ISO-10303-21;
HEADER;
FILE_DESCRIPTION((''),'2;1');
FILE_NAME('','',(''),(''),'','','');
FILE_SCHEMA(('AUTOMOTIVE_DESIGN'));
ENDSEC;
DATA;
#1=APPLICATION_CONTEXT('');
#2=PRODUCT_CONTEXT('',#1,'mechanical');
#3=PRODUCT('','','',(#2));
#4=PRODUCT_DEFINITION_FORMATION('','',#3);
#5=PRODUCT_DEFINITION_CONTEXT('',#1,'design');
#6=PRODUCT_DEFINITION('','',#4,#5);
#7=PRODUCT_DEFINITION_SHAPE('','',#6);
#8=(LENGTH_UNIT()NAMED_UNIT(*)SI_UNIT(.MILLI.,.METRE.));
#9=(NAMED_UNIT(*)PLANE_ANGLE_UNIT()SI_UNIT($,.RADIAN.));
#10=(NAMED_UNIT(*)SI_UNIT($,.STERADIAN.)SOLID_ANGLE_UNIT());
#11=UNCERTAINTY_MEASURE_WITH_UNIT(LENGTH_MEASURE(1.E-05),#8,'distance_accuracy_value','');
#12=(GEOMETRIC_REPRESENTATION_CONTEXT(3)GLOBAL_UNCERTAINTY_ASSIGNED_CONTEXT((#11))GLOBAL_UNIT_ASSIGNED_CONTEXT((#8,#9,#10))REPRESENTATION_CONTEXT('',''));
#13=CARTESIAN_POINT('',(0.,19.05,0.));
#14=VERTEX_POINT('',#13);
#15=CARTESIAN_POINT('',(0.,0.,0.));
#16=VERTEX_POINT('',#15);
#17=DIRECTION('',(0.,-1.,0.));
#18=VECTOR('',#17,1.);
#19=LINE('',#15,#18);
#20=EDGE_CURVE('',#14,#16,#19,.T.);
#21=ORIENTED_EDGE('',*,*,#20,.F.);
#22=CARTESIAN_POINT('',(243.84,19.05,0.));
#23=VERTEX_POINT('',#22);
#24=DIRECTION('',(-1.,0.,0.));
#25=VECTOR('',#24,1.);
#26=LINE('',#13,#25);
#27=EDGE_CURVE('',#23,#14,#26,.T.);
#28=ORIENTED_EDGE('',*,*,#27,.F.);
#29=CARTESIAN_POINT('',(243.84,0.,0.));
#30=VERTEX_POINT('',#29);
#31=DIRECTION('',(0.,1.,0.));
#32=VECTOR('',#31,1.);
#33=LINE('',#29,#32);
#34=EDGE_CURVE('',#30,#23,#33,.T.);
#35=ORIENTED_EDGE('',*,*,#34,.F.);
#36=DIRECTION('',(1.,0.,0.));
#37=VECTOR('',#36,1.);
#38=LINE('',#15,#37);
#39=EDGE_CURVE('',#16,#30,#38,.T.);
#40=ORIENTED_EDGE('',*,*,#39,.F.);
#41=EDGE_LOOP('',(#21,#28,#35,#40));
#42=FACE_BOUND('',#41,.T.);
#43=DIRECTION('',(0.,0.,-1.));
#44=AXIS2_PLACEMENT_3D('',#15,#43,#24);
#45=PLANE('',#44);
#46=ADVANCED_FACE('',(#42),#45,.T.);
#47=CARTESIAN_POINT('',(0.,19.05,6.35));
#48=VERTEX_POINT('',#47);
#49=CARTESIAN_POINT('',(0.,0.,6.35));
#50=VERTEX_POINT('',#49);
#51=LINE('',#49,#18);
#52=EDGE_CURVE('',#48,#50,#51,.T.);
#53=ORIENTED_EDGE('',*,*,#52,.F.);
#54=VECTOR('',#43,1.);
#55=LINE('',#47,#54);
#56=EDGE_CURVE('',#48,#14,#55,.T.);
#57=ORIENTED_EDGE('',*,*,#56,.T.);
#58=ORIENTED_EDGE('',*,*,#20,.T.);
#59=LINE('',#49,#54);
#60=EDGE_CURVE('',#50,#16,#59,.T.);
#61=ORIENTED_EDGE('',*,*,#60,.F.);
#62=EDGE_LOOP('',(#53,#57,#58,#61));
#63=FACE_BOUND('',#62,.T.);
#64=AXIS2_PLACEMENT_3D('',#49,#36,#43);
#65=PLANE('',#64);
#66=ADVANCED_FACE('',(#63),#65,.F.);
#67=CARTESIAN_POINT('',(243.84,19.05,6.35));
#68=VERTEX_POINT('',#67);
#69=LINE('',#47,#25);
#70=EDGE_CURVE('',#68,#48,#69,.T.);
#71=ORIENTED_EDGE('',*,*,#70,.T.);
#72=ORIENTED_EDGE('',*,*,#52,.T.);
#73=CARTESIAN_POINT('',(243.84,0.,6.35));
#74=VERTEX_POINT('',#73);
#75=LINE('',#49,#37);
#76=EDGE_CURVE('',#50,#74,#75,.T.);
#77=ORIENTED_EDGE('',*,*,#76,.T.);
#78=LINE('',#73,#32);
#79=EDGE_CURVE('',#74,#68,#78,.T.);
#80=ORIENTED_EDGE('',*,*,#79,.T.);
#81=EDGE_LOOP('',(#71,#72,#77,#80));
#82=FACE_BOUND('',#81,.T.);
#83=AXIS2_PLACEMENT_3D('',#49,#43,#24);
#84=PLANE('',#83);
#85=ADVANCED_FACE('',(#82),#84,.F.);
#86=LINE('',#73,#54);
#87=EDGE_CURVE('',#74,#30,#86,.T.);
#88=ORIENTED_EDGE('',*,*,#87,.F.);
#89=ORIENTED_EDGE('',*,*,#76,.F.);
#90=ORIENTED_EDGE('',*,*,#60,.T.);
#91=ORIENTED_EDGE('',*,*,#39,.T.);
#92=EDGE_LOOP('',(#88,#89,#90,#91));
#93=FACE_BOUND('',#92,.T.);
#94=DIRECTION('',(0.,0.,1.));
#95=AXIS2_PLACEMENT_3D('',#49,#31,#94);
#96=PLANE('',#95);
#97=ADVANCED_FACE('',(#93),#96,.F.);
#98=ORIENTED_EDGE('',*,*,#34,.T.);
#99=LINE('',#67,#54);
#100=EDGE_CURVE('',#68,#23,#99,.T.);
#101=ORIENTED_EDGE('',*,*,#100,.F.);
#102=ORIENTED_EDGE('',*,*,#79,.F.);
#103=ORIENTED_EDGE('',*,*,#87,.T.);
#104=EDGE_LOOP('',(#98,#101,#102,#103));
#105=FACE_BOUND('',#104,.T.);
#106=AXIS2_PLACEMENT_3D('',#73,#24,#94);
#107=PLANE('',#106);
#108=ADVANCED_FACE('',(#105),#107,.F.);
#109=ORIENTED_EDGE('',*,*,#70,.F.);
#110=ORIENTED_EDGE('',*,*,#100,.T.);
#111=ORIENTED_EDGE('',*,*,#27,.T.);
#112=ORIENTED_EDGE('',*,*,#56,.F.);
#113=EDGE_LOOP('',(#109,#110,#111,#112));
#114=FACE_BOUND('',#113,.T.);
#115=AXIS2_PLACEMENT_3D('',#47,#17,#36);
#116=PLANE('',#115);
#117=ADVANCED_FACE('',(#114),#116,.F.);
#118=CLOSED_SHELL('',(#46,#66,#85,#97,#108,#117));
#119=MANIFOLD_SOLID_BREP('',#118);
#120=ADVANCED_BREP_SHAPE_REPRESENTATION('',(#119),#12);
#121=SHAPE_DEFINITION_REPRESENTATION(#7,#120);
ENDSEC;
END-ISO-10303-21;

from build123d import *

# Parameters (mm, degrees)
SKETCH2_W           = 243.84
SKETCH2_H           = 19.05
BOSS_EXTRUDE1_DEPTH = 6.35


with BuildPart() as part:
    # Sketch2 → Boss-Extrude1 (new body)
    with BuildSketch(Plane.XY):
        with Locations((121.92, 9.525)):
            Rectangle(SKETCH2_W, SKETCH2_H)
    extrude(amount=BOSS_EXTRUDE1_DEPTH)


solid = part.part
